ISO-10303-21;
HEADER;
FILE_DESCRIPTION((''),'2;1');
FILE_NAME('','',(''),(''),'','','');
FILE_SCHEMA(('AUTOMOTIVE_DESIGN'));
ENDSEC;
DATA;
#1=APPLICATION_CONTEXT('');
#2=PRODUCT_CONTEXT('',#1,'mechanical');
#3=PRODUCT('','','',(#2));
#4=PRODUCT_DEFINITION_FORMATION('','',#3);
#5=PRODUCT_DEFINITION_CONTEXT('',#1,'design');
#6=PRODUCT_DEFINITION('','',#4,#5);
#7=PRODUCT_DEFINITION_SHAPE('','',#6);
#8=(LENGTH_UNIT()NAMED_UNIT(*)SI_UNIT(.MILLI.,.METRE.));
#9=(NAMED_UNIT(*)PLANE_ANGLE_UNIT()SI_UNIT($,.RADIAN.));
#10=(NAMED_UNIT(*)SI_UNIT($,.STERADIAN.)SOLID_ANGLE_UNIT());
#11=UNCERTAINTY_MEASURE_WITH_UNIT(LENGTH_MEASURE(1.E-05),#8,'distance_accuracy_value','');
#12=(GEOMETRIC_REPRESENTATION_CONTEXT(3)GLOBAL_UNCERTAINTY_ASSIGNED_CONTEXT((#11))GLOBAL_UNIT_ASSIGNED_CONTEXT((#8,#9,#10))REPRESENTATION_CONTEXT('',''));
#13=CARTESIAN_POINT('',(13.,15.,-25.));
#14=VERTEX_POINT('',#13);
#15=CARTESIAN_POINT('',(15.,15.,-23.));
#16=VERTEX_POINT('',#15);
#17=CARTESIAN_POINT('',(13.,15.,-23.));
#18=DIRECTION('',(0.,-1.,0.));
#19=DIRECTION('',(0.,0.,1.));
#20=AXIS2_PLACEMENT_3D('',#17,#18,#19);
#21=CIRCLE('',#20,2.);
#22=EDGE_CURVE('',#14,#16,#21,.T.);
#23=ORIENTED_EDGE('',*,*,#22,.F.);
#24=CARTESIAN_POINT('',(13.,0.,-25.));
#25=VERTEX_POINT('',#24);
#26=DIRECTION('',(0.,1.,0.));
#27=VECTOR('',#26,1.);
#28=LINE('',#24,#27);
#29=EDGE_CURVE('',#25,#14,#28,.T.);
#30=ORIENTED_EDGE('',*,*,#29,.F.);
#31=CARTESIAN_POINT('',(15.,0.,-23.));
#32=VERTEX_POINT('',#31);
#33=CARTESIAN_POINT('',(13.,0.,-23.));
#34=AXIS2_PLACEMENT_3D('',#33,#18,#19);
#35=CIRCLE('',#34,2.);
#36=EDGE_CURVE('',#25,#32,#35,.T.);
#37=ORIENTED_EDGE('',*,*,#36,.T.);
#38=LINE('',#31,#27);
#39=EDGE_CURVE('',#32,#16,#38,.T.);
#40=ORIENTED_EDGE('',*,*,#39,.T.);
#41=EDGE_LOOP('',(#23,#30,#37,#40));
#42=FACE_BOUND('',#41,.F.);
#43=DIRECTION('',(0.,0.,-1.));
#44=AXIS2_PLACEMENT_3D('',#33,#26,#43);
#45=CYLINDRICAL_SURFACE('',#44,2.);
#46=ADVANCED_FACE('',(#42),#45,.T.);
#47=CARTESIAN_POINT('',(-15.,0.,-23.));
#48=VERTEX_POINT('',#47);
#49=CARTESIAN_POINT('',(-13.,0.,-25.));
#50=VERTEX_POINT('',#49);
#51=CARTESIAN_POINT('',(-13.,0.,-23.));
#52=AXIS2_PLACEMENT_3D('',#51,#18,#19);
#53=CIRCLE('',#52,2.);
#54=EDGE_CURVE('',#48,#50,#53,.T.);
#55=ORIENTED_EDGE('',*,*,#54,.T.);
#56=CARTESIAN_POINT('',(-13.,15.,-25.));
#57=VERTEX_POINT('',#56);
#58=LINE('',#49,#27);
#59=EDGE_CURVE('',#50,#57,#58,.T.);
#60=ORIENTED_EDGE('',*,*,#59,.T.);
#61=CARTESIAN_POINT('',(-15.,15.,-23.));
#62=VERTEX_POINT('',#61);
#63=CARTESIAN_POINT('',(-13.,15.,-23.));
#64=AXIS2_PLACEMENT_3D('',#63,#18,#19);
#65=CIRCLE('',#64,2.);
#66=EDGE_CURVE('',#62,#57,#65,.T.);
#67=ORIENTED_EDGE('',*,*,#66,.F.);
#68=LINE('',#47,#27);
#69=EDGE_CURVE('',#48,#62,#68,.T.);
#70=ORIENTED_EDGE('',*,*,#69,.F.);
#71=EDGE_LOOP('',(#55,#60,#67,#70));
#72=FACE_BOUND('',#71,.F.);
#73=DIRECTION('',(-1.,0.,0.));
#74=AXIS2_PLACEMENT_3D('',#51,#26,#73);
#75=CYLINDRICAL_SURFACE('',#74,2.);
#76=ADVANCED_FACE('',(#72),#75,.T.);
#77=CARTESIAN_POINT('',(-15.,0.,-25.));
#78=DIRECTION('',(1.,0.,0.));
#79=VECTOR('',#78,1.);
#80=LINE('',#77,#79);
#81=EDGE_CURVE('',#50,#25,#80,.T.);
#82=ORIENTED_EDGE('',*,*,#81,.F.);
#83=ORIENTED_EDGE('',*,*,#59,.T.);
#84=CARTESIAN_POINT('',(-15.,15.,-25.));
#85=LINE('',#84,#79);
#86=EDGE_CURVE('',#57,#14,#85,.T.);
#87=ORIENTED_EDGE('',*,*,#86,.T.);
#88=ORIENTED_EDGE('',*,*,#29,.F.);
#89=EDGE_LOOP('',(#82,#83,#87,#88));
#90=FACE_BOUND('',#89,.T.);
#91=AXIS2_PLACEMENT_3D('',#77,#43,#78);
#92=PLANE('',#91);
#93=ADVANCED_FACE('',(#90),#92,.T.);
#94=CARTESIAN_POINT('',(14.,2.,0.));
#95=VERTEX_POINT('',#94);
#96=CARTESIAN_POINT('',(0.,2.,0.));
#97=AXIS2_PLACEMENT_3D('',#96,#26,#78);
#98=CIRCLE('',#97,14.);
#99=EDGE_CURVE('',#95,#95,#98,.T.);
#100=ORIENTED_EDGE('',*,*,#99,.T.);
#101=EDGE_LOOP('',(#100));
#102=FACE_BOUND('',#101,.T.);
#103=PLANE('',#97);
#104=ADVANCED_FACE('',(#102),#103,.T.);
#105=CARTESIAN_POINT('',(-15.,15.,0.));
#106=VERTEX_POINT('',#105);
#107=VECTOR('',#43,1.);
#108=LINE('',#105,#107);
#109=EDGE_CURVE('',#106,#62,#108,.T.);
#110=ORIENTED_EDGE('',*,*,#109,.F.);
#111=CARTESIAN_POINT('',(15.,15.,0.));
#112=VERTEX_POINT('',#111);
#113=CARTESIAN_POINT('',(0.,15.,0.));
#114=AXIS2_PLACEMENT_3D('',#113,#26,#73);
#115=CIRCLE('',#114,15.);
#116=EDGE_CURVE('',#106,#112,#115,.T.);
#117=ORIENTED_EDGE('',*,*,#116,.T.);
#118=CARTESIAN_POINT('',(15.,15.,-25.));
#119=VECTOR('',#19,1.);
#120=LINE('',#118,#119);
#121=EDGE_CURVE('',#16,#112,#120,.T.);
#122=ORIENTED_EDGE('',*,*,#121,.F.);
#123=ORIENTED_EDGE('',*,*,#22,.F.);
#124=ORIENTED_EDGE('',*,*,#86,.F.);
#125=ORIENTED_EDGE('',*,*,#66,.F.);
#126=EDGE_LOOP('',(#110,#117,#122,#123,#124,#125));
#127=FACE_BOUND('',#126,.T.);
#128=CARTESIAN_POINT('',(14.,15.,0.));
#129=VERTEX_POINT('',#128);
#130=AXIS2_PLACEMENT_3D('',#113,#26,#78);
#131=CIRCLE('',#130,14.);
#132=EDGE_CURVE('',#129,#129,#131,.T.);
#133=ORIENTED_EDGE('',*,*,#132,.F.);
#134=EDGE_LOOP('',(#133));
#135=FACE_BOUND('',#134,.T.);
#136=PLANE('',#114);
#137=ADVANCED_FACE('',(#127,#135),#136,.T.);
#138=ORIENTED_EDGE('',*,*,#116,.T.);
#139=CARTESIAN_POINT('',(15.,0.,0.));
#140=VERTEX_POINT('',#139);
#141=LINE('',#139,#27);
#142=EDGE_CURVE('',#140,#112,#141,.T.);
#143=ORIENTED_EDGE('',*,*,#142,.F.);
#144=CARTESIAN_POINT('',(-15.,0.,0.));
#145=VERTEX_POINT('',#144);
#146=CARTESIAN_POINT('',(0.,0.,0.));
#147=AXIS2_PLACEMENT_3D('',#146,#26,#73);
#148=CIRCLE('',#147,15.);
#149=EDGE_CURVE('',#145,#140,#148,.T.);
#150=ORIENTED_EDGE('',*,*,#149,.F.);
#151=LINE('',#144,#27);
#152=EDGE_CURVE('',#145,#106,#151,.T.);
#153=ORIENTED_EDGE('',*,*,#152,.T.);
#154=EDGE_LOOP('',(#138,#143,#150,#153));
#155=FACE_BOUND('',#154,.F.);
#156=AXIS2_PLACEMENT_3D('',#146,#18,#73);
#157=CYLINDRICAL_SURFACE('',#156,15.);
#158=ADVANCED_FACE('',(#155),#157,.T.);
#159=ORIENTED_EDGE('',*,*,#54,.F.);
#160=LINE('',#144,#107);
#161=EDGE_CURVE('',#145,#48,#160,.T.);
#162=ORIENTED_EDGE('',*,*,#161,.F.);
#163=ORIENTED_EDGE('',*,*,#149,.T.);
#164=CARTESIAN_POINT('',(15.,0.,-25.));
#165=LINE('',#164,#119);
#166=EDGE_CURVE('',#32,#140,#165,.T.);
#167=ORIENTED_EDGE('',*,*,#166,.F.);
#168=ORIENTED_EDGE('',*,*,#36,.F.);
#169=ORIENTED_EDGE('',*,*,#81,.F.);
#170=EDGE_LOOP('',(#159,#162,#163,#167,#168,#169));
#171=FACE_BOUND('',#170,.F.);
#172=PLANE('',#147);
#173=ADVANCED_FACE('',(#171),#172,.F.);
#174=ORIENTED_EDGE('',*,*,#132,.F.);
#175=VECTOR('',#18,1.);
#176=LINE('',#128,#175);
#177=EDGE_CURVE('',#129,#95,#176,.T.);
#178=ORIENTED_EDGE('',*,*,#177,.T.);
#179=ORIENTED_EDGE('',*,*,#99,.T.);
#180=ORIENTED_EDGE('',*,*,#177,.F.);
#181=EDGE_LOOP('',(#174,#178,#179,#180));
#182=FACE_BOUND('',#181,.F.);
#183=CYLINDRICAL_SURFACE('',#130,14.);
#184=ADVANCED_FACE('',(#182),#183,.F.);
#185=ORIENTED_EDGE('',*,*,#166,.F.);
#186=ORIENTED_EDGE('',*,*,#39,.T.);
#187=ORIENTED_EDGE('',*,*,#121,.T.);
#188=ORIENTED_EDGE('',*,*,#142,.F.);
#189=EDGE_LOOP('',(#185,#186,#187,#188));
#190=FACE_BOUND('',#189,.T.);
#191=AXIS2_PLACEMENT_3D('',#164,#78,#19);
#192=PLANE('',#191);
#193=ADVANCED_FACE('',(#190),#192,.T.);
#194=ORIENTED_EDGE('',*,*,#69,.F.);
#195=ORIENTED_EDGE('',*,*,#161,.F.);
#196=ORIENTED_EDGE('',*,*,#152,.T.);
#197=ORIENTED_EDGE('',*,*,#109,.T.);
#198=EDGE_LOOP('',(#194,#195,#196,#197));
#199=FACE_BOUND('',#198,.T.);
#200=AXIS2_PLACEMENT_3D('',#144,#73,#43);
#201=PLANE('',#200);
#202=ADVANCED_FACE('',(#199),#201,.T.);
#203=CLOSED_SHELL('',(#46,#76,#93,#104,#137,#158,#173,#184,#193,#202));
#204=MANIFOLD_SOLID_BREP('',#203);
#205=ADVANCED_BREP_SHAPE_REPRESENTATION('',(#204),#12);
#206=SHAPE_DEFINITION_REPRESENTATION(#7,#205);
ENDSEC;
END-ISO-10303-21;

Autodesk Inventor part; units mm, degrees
ref_plane "YZ Plane" through (0, 0, 0) normal (1, 0, 0) x (0, 1, 0)
ref_plane "XZ Plane" through (0, 0, 0) normal (0, 1, 0) x (-1, 0, 0)
ref_plane "XY Plane" through (0, 0, 0) normal (0, 0, 1) x (1, 0, 0)
sketch "Esquisse1" plane through (0, 0, 0) normal (0, 1, 0) x (-1, 0, 0)
  arc A0 (15, 0) -> (-15, 0) centre (0, 0) ccw
  line L0 (-15, 0) -> (15, 0) construction
  line L1 (15, 0) -> (15, -25)
  line L2 (15, -25) -> (-15, -25)
  line L3 (-15, -25) -> (-15, 0)
  arc A1 (-15, 0) -> (15, 0) centre (0, 0) ccw construction
  dimension "d0" = 30
  dimension "d1" = 25
extrude "Extrusion1" add sketch "Esquisse1" along normal blind 15
sketch "Esquisse2" plane through (0, 15, 0) normal (0, 1, 0) x (1, 0, 0)
  arc A0 (-15, 0) -> (15, 0) centre (0, 0) ccw projected
  circle A1 centre (0, 0) radius 14
  dimension "d4" = 28
extrude "Extrusion2" cut sketch "Esquisse2" against normal blind 13
fillet "Congé1" radius 2 2 edges at (-15, 7.5, -25) (15, 7.5, -25)
properties part number "encoder_shell"
